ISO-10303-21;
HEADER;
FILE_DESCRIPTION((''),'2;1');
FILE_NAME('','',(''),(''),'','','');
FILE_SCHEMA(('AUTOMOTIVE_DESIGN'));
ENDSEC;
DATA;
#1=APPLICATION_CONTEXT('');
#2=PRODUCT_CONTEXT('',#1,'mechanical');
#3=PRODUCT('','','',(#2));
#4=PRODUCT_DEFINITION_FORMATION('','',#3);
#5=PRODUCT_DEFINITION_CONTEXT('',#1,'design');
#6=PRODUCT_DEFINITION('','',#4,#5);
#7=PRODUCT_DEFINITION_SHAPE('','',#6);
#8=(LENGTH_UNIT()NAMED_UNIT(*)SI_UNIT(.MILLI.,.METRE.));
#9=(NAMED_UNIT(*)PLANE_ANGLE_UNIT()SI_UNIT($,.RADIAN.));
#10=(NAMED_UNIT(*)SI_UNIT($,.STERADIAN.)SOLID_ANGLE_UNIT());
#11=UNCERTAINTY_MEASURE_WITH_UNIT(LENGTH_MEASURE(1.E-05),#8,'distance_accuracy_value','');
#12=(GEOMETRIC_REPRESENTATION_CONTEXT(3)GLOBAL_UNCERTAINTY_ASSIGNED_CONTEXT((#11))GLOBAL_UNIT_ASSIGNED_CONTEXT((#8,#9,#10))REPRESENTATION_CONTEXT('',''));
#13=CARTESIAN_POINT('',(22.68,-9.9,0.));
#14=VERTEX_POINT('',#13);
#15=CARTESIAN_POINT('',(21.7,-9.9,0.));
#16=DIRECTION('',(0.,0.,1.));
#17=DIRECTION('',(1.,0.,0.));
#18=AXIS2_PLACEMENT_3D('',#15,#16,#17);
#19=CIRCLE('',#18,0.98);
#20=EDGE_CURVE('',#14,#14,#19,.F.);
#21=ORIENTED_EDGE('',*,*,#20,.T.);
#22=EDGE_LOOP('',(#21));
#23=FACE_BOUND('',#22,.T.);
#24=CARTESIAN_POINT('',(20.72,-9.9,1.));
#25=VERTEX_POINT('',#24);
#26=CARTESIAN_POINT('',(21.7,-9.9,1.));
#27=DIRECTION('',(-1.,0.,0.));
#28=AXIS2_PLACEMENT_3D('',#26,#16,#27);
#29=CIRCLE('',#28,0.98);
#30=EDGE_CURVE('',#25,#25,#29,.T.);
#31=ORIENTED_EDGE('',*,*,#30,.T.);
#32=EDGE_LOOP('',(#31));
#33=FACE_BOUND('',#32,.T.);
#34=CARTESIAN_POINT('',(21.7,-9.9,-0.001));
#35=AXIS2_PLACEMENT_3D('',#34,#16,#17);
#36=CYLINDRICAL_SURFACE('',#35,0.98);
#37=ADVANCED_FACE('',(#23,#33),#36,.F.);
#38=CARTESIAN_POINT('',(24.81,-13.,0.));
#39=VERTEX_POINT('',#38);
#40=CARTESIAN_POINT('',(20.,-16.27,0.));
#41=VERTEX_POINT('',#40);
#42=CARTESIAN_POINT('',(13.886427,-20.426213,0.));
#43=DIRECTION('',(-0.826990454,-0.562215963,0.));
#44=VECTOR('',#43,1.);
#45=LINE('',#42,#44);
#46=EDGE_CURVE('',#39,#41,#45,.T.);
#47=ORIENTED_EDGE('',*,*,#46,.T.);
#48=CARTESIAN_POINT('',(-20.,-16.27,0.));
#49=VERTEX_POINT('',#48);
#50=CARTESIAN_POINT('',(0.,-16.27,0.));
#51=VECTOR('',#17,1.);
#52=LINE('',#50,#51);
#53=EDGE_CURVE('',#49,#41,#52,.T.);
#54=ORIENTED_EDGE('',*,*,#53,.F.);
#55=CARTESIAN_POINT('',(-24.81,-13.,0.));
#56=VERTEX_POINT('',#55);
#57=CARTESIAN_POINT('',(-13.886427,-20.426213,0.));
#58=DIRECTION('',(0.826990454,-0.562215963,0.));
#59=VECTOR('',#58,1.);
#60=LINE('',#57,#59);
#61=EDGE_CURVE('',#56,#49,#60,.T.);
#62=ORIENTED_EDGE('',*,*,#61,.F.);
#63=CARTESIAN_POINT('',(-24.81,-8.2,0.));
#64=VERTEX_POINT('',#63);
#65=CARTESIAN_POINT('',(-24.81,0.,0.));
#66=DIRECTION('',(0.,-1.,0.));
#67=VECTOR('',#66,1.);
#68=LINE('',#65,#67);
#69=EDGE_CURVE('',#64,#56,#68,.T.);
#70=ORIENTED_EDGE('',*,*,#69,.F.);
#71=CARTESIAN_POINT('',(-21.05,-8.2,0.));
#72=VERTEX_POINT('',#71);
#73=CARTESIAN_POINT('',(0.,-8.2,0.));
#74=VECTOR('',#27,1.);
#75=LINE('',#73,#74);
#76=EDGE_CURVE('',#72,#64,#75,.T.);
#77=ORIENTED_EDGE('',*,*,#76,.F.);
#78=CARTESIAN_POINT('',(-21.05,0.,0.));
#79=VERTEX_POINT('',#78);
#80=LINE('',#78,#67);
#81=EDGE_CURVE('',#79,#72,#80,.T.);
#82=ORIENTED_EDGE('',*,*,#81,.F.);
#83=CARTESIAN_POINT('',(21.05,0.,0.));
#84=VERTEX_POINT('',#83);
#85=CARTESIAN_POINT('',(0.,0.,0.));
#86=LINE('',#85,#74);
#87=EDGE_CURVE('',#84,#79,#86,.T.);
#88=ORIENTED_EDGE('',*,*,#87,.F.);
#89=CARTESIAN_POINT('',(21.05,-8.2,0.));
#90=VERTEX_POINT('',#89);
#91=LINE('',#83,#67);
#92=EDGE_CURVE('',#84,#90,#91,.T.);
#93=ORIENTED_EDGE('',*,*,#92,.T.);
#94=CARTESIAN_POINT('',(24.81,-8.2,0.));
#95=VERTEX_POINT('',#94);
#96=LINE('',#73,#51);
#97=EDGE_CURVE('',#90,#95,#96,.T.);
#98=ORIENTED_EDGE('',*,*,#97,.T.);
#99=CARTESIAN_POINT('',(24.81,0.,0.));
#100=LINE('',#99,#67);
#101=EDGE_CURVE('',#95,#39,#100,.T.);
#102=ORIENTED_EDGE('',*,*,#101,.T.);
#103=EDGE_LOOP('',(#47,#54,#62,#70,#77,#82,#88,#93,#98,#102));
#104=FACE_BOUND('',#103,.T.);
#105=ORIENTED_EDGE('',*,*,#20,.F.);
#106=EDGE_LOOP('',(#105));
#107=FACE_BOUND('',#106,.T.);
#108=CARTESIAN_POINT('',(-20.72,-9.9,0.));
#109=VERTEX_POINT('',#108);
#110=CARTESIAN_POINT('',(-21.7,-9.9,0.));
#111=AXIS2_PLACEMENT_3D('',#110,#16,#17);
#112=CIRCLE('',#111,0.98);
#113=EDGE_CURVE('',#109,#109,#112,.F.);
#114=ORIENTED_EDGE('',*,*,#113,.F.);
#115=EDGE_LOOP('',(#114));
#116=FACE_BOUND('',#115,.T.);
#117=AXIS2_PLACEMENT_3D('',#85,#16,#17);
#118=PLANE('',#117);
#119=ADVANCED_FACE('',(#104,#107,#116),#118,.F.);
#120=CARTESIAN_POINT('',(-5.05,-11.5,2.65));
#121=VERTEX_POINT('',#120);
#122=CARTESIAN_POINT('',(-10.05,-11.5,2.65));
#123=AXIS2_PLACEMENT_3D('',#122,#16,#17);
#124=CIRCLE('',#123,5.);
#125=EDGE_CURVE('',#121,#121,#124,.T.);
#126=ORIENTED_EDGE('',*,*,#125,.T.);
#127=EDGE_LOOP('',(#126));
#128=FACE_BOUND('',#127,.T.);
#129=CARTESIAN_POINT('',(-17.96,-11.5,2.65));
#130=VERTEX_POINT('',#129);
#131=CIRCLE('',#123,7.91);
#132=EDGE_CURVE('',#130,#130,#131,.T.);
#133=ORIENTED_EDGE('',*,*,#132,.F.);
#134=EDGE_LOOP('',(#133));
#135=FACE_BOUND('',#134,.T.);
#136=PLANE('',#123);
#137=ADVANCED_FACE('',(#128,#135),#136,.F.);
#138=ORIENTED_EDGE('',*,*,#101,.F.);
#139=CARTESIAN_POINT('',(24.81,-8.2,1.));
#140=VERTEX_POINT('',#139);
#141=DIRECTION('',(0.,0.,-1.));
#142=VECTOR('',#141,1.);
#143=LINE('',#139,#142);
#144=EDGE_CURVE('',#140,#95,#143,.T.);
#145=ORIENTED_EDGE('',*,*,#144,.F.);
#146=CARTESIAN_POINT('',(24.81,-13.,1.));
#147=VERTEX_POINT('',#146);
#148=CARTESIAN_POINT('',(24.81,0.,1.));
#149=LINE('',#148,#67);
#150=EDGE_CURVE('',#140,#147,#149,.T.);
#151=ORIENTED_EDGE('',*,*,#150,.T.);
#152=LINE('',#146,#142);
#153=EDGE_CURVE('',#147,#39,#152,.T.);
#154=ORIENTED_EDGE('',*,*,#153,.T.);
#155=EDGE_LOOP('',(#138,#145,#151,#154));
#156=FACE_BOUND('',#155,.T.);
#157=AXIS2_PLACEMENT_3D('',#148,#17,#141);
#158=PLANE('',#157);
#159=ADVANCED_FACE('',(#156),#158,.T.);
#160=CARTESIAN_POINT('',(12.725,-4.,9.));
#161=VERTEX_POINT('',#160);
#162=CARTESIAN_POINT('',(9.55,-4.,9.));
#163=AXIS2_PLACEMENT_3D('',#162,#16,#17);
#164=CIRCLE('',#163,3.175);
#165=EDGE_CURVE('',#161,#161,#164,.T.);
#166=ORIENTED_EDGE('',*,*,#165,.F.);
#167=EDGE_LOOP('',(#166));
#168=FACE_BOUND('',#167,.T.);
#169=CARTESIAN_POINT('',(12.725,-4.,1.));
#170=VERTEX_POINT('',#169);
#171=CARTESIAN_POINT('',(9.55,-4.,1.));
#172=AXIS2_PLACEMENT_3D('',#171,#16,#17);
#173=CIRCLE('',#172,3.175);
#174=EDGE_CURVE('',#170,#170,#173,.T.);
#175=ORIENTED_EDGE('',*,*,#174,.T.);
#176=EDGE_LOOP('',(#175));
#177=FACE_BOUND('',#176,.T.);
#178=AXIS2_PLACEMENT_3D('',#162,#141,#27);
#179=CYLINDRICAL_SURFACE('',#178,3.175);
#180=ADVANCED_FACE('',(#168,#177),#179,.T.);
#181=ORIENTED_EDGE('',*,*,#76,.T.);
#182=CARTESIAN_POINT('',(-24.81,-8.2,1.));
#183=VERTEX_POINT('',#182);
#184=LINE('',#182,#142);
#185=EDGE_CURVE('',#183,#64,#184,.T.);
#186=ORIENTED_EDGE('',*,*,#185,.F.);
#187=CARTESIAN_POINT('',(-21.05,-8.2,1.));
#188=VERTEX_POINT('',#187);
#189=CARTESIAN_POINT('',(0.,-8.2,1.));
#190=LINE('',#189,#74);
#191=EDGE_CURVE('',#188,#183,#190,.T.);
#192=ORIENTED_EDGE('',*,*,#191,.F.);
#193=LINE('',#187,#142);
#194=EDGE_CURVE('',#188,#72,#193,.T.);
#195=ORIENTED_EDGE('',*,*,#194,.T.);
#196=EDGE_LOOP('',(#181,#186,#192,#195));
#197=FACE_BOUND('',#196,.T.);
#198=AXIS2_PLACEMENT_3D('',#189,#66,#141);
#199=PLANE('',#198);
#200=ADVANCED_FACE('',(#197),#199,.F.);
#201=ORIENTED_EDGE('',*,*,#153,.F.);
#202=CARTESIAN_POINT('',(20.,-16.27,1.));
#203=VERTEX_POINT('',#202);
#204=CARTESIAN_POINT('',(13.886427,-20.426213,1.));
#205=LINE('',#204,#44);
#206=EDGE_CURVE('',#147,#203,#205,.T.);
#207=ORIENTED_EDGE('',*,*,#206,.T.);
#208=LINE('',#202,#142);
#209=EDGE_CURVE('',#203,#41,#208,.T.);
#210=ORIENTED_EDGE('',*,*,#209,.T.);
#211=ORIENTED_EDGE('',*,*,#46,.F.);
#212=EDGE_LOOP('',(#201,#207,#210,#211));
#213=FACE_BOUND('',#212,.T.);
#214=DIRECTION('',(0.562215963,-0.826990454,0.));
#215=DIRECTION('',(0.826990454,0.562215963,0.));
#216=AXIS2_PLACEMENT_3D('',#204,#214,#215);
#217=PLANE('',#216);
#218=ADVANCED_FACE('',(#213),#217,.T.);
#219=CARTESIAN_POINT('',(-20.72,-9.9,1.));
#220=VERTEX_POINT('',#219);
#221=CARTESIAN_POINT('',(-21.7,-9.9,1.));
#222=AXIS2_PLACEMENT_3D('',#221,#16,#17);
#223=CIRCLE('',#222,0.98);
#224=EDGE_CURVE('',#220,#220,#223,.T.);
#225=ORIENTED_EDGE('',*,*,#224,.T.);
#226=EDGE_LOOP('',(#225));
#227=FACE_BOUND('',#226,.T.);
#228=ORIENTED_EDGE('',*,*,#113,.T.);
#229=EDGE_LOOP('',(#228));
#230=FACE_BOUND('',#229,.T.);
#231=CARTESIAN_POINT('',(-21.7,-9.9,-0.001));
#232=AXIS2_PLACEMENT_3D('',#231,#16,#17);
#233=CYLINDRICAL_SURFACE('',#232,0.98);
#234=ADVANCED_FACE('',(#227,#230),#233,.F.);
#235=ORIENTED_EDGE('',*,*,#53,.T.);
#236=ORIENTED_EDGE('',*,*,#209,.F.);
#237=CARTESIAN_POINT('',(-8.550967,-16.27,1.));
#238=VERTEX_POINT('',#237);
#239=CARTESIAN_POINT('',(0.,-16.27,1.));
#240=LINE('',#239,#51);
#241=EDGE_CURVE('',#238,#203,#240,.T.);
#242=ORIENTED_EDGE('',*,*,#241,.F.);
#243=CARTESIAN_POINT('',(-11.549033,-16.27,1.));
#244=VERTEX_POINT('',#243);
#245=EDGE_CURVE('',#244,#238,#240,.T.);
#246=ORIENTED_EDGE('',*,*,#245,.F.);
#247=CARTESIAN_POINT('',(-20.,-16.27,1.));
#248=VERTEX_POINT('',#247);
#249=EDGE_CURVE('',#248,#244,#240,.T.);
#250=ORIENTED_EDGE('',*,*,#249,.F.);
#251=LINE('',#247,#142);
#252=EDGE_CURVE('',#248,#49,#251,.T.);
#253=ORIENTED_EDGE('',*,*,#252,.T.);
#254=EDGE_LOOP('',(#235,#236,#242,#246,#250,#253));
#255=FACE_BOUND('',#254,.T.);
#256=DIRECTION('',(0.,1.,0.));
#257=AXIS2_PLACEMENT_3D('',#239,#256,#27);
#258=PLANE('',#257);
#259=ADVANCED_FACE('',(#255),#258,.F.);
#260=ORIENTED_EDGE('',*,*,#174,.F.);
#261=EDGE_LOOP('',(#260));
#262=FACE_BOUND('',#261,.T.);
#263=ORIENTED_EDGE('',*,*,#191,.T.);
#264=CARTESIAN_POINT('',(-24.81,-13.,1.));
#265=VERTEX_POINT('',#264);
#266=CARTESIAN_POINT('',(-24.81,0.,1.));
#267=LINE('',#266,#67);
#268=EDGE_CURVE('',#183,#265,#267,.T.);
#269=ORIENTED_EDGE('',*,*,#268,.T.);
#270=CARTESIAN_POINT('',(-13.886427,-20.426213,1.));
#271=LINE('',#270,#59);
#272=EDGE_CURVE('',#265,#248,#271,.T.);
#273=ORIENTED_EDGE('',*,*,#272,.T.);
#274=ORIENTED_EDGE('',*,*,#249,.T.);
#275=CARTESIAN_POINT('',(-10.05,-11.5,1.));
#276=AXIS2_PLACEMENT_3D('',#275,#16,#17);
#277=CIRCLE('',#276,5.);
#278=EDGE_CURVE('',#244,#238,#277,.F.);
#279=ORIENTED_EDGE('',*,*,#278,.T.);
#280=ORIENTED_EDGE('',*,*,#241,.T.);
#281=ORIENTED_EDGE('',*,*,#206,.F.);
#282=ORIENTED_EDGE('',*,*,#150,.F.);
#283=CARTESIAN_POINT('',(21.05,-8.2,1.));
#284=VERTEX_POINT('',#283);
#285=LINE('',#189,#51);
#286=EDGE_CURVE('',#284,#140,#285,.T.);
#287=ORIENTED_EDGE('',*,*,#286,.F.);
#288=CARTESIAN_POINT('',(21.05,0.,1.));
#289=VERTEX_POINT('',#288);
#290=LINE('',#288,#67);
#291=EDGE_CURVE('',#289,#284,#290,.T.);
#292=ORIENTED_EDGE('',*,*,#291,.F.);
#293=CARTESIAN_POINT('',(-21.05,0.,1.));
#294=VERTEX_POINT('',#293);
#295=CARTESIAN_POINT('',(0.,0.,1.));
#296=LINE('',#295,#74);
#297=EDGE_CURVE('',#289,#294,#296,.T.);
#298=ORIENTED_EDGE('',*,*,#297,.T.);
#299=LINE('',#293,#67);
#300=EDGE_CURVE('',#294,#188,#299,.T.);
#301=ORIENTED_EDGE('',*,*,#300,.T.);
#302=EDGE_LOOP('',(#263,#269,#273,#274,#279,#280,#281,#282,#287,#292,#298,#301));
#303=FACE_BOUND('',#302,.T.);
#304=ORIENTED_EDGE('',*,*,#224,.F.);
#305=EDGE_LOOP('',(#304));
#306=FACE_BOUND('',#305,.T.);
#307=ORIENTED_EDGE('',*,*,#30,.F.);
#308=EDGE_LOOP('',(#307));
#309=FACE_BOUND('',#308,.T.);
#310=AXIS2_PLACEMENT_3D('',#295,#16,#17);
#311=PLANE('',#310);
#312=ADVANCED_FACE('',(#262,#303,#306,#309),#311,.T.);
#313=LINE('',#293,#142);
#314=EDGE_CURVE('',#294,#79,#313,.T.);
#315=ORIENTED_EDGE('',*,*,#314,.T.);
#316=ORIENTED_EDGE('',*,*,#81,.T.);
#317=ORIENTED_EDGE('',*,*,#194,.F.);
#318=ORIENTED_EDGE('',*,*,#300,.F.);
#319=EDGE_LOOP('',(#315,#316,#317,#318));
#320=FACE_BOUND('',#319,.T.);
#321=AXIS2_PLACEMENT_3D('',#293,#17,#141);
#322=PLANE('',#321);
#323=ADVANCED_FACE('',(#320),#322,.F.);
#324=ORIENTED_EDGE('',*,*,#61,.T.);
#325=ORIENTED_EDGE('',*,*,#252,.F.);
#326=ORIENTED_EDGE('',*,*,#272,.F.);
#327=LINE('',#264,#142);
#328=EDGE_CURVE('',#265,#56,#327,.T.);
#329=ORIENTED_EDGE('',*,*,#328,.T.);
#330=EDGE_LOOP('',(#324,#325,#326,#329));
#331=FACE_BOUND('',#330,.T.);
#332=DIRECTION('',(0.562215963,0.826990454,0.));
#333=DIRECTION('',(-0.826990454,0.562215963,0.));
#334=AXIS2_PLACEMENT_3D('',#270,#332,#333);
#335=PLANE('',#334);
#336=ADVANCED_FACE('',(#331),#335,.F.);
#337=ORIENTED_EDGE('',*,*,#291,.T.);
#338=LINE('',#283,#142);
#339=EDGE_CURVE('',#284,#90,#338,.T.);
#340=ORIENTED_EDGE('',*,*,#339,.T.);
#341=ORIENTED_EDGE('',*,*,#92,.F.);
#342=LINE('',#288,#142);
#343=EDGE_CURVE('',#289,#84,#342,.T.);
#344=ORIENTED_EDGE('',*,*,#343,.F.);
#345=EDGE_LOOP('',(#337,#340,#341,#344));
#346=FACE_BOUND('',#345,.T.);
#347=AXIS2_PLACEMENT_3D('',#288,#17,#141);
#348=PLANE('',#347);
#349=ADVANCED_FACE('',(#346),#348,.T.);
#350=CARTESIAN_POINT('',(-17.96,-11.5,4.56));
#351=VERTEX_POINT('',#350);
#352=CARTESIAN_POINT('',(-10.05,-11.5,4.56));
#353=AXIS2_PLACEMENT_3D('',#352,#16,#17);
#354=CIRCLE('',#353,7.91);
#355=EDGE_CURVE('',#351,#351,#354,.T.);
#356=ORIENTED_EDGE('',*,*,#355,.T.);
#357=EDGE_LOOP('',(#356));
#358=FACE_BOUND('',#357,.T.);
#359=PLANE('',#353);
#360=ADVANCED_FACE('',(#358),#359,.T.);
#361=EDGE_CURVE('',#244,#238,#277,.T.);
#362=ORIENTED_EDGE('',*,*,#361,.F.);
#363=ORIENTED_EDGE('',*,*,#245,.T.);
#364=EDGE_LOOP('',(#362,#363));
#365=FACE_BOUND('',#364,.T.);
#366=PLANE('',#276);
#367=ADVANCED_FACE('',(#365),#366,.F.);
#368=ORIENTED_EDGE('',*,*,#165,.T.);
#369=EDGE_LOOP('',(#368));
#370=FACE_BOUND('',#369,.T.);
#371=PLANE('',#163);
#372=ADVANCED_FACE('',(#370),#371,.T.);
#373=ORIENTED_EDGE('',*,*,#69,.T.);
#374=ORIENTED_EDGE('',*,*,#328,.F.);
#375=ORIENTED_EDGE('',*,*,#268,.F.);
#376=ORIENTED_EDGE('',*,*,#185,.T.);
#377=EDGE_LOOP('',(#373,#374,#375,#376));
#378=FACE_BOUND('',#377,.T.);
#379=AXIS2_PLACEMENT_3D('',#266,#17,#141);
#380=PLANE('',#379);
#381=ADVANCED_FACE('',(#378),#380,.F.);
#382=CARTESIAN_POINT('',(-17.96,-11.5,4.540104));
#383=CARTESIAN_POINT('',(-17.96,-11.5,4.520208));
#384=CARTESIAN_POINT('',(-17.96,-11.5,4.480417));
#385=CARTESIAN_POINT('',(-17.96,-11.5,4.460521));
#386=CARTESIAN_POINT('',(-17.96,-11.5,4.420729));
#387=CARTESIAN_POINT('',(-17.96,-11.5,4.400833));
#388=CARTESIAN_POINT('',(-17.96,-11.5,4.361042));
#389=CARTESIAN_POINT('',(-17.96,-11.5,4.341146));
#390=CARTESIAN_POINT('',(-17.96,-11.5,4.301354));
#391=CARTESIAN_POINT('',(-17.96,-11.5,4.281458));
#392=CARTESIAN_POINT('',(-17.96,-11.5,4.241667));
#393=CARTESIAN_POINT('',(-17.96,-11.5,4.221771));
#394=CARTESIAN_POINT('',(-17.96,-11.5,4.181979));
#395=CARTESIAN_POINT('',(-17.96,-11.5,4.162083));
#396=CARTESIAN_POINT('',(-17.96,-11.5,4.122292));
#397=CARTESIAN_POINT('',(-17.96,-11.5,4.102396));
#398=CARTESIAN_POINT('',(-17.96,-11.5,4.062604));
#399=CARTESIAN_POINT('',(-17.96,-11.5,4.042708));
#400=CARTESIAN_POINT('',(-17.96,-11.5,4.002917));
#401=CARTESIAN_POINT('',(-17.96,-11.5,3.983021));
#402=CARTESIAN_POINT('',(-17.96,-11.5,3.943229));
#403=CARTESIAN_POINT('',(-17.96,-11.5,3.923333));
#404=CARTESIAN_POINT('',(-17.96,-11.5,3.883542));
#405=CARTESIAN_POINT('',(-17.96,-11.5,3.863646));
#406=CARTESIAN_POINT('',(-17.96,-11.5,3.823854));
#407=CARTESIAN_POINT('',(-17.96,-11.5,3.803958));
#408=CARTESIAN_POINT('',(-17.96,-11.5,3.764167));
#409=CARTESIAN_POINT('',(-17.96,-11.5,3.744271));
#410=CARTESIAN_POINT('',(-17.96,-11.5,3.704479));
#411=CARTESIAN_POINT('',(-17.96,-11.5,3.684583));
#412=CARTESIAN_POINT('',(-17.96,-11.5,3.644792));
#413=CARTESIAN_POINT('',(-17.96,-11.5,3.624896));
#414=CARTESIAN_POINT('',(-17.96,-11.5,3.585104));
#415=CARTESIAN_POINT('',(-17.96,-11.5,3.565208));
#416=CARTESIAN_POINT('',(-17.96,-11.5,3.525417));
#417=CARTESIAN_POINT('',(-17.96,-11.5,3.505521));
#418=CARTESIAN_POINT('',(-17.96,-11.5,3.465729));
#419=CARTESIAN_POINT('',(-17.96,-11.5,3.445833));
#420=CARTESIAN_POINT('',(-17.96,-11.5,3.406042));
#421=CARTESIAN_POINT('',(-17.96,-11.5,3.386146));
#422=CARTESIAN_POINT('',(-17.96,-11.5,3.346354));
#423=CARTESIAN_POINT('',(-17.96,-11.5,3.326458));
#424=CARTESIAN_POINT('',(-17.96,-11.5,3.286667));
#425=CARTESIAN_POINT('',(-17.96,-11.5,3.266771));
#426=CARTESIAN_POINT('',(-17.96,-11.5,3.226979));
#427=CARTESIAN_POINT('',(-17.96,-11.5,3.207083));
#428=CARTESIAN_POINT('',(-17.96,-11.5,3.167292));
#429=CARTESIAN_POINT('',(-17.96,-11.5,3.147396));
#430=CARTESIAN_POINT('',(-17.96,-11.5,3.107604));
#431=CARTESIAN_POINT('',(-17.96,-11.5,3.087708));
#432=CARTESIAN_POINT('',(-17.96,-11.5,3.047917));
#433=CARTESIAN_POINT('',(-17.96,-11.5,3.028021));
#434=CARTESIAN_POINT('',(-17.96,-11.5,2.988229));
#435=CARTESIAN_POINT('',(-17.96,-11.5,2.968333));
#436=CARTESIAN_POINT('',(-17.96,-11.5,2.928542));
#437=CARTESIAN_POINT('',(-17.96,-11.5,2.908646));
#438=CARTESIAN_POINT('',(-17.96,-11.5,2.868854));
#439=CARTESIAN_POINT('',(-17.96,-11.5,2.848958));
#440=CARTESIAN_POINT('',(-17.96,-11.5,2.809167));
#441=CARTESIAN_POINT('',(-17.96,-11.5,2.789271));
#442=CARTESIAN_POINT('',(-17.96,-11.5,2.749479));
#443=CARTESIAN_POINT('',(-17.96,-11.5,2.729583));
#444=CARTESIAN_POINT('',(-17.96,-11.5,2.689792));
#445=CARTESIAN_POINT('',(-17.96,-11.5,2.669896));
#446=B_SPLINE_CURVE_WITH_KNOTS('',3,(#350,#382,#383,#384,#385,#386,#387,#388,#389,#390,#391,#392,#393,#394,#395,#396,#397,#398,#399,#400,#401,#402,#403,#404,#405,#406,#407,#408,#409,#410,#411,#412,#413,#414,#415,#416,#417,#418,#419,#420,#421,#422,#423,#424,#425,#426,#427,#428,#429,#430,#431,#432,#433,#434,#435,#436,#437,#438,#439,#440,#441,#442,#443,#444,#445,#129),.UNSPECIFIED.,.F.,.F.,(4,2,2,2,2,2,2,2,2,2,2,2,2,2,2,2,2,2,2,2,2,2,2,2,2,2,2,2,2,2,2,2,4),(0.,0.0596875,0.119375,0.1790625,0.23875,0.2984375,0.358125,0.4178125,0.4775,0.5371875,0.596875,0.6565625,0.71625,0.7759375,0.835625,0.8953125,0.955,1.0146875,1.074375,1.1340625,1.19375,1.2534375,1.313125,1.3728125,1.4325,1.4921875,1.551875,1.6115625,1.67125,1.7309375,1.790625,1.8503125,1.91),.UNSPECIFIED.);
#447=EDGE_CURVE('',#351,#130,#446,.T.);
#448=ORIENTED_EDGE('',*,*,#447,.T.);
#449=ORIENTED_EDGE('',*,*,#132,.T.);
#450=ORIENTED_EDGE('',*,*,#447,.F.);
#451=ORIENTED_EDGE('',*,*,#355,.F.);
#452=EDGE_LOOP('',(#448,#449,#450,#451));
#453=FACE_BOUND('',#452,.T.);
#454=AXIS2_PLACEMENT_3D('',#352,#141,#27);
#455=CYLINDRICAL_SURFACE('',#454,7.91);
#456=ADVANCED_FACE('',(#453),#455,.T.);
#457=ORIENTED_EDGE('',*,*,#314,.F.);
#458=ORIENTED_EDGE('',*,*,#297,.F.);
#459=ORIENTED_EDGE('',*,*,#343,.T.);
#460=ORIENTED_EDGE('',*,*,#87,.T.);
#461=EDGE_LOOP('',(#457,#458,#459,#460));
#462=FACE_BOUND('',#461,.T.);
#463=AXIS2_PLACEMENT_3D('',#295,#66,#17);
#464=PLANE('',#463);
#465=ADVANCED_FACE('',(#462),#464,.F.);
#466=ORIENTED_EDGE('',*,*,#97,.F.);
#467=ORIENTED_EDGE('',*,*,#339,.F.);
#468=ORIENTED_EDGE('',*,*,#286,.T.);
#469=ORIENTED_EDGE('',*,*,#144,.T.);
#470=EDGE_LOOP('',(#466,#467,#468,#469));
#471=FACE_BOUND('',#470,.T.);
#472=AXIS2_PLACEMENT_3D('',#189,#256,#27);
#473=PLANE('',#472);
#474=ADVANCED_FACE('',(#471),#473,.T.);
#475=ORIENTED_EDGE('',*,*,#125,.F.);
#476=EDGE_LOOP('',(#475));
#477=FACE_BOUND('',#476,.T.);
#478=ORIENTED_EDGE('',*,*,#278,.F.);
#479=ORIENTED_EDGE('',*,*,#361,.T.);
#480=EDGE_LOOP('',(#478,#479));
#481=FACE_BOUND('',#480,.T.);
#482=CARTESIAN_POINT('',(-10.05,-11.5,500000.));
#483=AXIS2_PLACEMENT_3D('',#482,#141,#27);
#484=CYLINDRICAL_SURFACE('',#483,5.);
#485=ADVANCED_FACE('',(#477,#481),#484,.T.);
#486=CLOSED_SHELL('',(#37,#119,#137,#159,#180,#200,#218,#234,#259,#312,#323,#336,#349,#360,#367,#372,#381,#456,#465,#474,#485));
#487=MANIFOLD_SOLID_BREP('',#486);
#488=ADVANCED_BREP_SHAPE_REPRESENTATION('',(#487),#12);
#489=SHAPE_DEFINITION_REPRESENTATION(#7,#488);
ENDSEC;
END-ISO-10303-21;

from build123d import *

# Parameters (mm, degrees)
BOSS_EXTRUDE1_DEPTH = 1
CUT_EXTRUDE1_REACH  = 31.686
SKETCH5_R           = 0.98
SKETCH2_R           = 3.175
BOSS_EXTRUDE2_DEPTH = 8
BOSS_EXTRUDE3_START = 1.65
SKETCH3_R           = 7.91
BOSS_EXTRUDE3_DEPTH = 1.91
BOSS_EXTRUDE4_REACH = 34.501
SKETCH4_R           = 5


with BuildPart() as part:
    # Sketch1 → Boss-Extrude1 (new body)
    with BuildSketch(Plane.XY):
        Polygon((21.05, -8.2), (21.05, 0), (0, 0), (0, -16.27), (20, -16.27), (24.81, -13), (24.81, -8.2), align=None)
        Polygon((0, -16.27), (0, 0), (-21.05, 0), (-21.05, -8.2), (-24.81, -8.2), (-24.81, -13), (-20, -16.27), align=None)
    extrude(amount=BOSS_EXTRUDE1_DEPTH)

    # Sketch5 → Cut-Extrude1 (cut, up to next)
    with BuildSketch(Plane.XY.offset(1), mode=Mode.PRIVATE) as cut_extrude1_sk1:
        with Locations((-21.7, -9.9)):
            Circle(SKETCH5_R)
    cut_extrude1_tool1 = extrude(cut_extrude1_sk1.sketch, amount=-CUT_EXTRUDE1_REACH, mode=Mode.PRIVATE) & part.part
    # Sketch5 → Cut-Extrude1 (cut, up to next)
    with BuildSketch(Plane.XY.offset(1), mode=Mode.PRIVATE) as cut_extrude1_sk2:
        with Locations((21.7, -9.9)):
            Circle(SKETCH5_R)
    cut_extrude1_tool2 = extrude(cut_extrude1_sk2.sketch, amount=-CUT_EXTRUDE1_REACH, mode=Mode.PRIVATE) & part.part
    add(cut_extrude1_tool1.solids().sort_by_distance((-21.7, -9.9, 1))[0], mode=Mode.SUBTRACT)
    add(cut_extrude1_tool2.solids().sort_by_distance((21.7, -9.9, 1))[0], mode=Mode.SUBTRACT)

    # Sketch2 → Boss-Extrude2 (add)
    with BuildSketch(Plane.XY.offset(1)):
        with Locations((9.55, -4)):
            Circle(SKETCH2_R)
    extrude(amount=BOSS_EXTRUDE2_DEPTH)


with BuildPart() as body_2:
    # Sketch3 → Boss-Extrude3 (new body)
    with BuildSketch(Plane.XY.offset(1).offset(BOSS_EXTRUDE3_START)):
        with Locations(Location((-10.05, -11.5, 0), (0, 0, 180))):
            Circle(SKETCH3_R)
    extrude(amount=BOSS_EXTRUDE3_DEPTH)

    # Sketch4 → Boss-Extrude4 (add, up to next)
    with BuildSketch(Plane.XY.offset(1), mode=Mode.PRIVATE) as boss_extrude4_sk1:
        with Locations(Location((-10.05, -11.5, 0), (0, 0, 252.554012294))):
            Circle(SKETCH4_R)
    boss_extrude4_tool1 = extrude(boss_extrude4_sk1.sketch, amount=BOSS_EXTRUDE4_REACH, mode=Mode.PRIVATE) - body_2.part

    add(part.part)  # Boss-Extrude4 merges part
    add(boss_extrude4_tool1.solids().sort_by_distance((-10.05, -11.5, 1))[0])


solid = body_2.part
